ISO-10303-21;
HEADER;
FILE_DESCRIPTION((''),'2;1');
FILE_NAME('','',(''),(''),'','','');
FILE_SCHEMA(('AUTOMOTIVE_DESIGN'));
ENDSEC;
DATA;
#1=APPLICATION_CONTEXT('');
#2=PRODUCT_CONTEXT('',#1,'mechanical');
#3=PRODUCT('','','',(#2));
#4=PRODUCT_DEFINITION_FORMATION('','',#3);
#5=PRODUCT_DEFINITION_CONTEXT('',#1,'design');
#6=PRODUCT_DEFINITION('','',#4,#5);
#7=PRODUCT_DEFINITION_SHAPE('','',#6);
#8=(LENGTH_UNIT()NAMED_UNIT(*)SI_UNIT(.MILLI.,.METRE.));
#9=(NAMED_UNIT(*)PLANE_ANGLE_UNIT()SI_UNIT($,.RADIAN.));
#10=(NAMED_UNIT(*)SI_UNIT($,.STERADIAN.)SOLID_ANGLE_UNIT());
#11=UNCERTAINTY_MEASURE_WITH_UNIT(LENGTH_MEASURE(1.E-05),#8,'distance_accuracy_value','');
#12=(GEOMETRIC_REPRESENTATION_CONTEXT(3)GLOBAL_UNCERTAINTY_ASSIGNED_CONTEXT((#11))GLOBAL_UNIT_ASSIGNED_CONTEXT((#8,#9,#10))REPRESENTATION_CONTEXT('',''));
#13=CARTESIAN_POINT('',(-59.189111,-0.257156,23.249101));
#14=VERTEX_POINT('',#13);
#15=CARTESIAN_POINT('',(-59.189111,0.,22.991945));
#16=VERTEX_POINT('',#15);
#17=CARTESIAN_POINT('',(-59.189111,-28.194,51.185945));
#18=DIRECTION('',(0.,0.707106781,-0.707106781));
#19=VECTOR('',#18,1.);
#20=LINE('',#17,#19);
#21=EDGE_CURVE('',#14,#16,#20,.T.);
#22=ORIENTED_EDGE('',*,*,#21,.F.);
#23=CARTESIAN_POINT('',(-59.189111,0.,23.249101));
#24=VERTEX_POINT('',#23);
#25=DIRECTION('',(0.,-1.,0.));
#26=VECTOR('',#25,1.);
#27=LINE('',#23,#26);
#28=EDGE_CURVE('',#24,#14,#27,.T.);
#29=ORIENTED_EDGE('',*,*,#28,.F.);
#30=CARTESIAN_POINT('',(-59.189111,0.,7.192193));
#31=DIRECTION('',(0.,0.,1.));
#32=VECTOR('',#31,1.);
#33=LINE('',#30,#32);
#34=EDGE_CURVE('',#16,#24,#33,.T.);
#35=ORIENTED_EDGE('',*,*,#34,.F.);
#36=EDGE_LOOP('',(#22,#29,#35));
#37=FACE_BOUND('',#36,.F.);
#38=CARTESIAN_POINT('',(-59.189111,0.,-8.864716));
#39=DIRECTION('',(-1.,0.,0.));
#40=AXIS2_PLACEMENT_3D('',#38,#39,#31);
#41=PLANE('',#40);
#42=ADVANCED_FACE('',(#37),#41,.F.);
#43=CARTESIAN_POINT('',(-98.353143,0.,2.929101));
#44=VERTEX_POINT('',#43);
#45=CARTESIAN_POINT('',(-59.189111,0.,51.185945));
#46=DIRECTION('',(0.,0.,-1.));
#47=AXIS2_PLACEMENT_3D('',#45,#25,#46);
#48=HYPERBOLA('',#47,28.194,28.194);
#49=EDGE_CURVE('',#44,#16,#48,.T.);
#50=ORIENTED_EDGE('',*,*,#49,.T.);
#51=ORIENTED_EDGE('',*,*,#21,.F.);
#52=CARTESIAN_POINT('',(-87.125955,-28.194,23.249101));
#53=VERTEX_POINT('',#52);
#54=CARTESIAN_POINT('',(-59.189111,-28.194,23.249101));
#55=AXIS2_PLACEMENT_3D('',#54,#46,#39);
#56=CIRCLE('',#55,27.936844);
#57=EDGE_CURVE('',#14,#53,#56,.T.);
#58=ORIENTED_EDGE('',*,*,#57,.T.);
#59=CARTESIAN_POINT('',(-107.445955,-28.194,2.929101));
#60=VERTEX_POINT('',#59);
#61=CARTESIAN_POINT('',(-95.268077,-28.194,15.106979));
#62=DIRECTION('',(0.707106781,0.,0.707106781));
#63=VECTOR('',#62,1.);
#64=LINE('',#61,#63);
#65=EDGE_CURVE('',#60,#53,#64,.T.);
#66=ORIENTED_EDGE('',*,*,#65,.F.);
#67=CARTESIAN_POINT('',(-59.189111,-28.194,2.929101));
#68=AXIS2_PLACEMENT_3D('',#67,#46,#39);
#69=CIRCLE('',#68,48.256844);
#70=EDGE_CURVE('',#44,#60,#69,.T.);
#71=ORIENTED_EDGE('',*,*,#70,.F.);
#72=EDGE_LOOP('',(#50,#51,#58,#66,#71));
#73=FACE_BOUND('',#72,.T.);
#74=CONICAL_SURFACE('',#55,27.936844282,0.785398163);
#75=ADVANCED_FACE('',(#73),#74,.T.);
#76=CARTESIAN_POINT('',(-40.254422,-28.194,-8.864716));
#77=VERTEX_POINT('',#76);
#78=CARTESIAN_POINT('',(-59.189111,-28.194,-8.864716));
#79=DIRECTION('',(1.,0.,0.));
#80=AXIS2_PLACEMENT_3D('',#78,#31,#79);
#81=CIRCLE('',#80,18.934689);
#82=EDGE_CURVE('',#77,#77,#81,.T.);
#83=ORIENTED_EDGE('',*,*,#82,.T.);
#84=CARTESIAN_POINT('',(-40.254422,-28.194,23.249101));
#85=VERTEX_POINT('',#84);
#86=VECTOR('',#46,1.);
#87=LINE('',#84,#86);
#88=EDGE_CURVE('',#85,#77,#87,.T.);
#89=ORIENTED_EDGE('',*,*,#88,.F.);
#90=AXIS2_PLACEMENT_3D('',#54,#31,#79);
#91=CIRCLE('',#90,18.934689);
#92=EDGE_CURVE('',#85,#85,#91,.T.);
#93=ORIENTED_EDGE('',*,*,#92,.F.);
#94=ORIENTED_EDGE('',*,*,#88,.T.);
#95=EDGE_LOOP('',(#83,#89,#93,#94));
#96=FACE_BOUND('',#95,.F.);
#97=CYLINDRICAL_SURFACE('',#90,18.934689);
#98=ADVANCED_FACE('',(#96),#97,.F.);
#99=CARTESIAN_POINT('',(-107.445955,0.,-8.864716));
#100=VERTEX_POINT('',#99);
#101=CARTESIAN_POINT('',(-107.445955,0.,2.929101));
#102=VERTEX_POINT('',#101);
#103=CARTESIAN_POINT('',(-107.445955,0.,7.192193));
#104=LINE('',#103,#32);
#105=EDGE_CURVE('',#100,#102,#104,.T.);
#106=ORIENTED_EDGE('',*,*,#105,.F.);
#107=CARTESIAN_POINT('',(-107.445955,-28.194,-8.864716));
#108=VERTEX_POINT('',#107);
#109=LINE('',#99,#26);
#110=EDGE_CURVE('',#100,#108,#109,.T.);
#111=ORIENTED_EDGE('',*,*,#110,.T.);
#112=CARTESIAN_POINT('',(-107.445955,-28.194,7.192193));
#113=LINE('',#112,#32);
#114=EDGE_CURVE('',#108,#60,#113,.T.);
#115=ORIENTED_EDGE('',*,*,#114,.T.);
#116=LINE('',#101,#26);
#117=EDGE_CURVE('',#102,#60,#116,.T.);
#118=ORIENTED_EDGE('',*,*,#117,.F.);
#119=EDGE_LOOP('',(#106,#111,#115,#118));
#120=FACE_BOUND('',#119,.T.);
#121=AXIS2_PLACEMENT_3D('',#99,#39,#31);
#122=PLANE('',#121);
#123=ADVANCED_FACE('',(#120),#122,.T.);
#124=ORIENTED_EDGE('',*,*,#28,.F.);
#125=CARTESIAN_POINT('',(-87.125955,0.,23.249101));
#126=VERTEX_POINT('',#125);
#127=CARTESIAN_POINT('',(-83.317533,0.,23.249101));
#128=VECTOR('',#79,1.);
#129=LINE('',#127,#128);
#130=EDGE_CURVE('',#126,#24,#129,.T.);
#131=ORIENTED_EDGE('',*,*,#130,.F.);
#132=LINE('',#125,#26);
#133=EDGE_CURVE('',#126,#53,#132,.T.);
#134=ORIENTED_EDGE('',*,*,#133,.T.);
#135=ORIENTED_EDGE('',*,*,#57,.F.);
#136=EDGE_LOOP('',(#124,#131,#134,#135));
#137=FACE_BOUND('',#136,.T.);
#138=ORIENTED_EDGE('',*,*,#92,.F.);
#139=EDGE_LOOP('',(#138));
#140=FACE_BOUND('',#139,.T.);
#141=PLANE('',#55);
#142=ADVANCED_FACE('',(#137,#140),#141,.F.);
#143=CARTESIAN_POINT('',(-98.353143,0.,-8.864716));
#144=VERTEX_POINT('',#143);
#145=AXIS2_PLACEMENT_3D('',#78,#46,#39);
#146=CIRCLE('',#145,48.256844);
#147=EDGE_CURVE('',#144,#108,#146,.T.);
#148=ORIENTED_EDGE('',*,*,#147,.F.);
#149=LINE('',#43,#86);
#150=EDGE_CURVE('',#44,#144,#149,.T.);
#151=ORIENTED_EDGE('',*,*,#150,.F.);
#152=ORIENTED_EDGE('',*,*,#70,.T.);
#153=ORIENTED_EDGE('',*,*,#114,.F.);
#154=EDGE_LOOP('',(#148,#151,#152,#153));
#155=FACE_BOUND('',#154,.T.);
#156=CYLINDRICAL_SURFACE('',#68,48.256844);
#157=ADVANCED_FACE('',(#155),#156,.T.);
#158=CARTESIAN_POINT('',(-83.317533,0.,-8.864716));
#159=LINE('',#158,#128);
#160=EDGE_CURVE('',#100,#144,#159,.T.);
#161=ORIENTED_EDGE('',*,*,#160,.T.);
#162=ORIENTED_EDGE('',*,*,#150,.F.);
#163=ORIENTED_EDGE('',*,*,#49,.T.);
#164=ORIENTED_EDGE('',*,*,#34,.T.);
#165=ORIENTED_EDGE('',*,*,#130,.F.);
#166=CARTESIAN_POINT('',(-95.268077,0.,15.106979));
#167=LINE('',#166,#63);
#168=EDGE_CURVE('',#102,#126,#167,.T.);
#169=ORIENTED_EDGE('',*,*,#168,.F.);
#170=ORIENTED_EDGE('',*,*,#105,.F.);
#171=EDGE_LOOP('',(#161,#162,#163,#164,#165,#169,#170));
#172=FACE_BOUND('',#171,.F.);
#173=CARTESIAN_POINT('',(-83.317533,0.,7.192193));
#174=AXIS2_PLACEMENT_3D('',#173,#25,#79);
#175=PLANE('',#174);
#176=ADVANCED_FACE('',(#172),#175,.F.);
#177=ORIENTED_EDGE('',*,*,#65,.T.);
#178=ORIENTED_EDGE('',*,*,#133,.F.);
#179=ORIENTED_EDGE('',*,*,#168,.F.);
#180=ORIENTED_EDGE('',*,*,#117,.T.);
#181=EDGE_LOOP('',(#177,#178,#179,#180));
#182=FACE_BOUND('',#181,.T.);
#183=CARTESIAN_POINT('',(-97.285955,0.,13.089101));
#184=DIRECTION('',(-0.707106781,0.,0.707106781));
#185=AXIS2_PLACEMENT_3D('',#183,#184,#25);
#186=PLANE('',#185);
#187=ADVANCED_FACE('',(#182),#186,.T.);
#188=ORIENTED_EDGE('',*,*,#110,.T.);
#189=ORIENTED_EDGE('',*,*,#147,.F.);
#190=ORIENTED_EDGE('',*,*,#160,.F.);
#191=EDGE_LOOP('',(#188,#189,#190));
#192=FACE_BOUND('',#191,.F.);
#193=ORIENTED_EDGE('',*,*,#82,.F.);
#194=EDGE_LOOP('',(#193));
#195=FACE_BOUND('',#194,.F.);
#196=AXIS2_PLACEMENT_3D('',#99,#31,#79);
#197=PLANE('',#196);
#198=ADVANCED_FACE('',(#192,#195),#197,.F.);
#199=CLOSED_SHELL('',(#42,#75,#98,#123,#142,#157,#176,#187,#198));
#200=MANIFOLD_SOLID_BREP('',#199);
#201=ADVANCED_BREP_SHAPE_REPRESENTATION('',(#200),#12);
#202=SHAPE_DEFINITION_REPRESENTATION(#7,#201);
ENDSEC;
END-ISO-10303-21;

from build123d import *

# Parameters (mm, degrees)
F0_W     = 48.2568442822
F0_H     = 32.1138165891
F1_DEPTH = 28.194
F2_SIZE  = 20.32
F4_R     = 18.934689064
F5_DEPTH = 32.1138165891


with BuildPart() as f1:
    # F0 (on Front) → F1 (new body)
    with BuildSketch(Plane.XZ):
        with Locations((-83.3175331354, 7.1921925992)):
            Rectangle(F0_W, F0_H)
    extrude(amount=F1_DEPTH)

    # F2
    f2_edges = [f1.edges().sort_by_distance(p)[0] for p in [
        (-107.445955, -14.097, 23.249101),
    ]]
    chamfer(f2_edges, length=F2_SIZE)

    # F1_face (on face) → F3 (revolve)
    with BuildSketch(Plane(origin=(-80.6501580531, -28.194, 5.7653617255), x_dir=(1, 0, 0), z_dir=(0, -1, 0))):
        Polygon((21.4610470587, 17.4837391683), (-6.4757972234, 17.4837391683), (-26.7957972234, -2.8362608317), (-26.7957972234, -14.6300774209), (21.4610470587, -14.6300774209), align=None)
    revolve(axis=Axis((-59.1891109943, -28.194, 7.1921925992), (0, 0, -1)))

    # F4 (on face) → F5 (cut, through all)
    with BuildSketch(Plane.XY.offset(23.2491008937)):
        with Locations((-59.1891109943, -28.194)):
            Circle(F4_R)
    extrude(amount=-F5_DEPTH, mode=Mode.SUBTRACT)


solid = f1.part
